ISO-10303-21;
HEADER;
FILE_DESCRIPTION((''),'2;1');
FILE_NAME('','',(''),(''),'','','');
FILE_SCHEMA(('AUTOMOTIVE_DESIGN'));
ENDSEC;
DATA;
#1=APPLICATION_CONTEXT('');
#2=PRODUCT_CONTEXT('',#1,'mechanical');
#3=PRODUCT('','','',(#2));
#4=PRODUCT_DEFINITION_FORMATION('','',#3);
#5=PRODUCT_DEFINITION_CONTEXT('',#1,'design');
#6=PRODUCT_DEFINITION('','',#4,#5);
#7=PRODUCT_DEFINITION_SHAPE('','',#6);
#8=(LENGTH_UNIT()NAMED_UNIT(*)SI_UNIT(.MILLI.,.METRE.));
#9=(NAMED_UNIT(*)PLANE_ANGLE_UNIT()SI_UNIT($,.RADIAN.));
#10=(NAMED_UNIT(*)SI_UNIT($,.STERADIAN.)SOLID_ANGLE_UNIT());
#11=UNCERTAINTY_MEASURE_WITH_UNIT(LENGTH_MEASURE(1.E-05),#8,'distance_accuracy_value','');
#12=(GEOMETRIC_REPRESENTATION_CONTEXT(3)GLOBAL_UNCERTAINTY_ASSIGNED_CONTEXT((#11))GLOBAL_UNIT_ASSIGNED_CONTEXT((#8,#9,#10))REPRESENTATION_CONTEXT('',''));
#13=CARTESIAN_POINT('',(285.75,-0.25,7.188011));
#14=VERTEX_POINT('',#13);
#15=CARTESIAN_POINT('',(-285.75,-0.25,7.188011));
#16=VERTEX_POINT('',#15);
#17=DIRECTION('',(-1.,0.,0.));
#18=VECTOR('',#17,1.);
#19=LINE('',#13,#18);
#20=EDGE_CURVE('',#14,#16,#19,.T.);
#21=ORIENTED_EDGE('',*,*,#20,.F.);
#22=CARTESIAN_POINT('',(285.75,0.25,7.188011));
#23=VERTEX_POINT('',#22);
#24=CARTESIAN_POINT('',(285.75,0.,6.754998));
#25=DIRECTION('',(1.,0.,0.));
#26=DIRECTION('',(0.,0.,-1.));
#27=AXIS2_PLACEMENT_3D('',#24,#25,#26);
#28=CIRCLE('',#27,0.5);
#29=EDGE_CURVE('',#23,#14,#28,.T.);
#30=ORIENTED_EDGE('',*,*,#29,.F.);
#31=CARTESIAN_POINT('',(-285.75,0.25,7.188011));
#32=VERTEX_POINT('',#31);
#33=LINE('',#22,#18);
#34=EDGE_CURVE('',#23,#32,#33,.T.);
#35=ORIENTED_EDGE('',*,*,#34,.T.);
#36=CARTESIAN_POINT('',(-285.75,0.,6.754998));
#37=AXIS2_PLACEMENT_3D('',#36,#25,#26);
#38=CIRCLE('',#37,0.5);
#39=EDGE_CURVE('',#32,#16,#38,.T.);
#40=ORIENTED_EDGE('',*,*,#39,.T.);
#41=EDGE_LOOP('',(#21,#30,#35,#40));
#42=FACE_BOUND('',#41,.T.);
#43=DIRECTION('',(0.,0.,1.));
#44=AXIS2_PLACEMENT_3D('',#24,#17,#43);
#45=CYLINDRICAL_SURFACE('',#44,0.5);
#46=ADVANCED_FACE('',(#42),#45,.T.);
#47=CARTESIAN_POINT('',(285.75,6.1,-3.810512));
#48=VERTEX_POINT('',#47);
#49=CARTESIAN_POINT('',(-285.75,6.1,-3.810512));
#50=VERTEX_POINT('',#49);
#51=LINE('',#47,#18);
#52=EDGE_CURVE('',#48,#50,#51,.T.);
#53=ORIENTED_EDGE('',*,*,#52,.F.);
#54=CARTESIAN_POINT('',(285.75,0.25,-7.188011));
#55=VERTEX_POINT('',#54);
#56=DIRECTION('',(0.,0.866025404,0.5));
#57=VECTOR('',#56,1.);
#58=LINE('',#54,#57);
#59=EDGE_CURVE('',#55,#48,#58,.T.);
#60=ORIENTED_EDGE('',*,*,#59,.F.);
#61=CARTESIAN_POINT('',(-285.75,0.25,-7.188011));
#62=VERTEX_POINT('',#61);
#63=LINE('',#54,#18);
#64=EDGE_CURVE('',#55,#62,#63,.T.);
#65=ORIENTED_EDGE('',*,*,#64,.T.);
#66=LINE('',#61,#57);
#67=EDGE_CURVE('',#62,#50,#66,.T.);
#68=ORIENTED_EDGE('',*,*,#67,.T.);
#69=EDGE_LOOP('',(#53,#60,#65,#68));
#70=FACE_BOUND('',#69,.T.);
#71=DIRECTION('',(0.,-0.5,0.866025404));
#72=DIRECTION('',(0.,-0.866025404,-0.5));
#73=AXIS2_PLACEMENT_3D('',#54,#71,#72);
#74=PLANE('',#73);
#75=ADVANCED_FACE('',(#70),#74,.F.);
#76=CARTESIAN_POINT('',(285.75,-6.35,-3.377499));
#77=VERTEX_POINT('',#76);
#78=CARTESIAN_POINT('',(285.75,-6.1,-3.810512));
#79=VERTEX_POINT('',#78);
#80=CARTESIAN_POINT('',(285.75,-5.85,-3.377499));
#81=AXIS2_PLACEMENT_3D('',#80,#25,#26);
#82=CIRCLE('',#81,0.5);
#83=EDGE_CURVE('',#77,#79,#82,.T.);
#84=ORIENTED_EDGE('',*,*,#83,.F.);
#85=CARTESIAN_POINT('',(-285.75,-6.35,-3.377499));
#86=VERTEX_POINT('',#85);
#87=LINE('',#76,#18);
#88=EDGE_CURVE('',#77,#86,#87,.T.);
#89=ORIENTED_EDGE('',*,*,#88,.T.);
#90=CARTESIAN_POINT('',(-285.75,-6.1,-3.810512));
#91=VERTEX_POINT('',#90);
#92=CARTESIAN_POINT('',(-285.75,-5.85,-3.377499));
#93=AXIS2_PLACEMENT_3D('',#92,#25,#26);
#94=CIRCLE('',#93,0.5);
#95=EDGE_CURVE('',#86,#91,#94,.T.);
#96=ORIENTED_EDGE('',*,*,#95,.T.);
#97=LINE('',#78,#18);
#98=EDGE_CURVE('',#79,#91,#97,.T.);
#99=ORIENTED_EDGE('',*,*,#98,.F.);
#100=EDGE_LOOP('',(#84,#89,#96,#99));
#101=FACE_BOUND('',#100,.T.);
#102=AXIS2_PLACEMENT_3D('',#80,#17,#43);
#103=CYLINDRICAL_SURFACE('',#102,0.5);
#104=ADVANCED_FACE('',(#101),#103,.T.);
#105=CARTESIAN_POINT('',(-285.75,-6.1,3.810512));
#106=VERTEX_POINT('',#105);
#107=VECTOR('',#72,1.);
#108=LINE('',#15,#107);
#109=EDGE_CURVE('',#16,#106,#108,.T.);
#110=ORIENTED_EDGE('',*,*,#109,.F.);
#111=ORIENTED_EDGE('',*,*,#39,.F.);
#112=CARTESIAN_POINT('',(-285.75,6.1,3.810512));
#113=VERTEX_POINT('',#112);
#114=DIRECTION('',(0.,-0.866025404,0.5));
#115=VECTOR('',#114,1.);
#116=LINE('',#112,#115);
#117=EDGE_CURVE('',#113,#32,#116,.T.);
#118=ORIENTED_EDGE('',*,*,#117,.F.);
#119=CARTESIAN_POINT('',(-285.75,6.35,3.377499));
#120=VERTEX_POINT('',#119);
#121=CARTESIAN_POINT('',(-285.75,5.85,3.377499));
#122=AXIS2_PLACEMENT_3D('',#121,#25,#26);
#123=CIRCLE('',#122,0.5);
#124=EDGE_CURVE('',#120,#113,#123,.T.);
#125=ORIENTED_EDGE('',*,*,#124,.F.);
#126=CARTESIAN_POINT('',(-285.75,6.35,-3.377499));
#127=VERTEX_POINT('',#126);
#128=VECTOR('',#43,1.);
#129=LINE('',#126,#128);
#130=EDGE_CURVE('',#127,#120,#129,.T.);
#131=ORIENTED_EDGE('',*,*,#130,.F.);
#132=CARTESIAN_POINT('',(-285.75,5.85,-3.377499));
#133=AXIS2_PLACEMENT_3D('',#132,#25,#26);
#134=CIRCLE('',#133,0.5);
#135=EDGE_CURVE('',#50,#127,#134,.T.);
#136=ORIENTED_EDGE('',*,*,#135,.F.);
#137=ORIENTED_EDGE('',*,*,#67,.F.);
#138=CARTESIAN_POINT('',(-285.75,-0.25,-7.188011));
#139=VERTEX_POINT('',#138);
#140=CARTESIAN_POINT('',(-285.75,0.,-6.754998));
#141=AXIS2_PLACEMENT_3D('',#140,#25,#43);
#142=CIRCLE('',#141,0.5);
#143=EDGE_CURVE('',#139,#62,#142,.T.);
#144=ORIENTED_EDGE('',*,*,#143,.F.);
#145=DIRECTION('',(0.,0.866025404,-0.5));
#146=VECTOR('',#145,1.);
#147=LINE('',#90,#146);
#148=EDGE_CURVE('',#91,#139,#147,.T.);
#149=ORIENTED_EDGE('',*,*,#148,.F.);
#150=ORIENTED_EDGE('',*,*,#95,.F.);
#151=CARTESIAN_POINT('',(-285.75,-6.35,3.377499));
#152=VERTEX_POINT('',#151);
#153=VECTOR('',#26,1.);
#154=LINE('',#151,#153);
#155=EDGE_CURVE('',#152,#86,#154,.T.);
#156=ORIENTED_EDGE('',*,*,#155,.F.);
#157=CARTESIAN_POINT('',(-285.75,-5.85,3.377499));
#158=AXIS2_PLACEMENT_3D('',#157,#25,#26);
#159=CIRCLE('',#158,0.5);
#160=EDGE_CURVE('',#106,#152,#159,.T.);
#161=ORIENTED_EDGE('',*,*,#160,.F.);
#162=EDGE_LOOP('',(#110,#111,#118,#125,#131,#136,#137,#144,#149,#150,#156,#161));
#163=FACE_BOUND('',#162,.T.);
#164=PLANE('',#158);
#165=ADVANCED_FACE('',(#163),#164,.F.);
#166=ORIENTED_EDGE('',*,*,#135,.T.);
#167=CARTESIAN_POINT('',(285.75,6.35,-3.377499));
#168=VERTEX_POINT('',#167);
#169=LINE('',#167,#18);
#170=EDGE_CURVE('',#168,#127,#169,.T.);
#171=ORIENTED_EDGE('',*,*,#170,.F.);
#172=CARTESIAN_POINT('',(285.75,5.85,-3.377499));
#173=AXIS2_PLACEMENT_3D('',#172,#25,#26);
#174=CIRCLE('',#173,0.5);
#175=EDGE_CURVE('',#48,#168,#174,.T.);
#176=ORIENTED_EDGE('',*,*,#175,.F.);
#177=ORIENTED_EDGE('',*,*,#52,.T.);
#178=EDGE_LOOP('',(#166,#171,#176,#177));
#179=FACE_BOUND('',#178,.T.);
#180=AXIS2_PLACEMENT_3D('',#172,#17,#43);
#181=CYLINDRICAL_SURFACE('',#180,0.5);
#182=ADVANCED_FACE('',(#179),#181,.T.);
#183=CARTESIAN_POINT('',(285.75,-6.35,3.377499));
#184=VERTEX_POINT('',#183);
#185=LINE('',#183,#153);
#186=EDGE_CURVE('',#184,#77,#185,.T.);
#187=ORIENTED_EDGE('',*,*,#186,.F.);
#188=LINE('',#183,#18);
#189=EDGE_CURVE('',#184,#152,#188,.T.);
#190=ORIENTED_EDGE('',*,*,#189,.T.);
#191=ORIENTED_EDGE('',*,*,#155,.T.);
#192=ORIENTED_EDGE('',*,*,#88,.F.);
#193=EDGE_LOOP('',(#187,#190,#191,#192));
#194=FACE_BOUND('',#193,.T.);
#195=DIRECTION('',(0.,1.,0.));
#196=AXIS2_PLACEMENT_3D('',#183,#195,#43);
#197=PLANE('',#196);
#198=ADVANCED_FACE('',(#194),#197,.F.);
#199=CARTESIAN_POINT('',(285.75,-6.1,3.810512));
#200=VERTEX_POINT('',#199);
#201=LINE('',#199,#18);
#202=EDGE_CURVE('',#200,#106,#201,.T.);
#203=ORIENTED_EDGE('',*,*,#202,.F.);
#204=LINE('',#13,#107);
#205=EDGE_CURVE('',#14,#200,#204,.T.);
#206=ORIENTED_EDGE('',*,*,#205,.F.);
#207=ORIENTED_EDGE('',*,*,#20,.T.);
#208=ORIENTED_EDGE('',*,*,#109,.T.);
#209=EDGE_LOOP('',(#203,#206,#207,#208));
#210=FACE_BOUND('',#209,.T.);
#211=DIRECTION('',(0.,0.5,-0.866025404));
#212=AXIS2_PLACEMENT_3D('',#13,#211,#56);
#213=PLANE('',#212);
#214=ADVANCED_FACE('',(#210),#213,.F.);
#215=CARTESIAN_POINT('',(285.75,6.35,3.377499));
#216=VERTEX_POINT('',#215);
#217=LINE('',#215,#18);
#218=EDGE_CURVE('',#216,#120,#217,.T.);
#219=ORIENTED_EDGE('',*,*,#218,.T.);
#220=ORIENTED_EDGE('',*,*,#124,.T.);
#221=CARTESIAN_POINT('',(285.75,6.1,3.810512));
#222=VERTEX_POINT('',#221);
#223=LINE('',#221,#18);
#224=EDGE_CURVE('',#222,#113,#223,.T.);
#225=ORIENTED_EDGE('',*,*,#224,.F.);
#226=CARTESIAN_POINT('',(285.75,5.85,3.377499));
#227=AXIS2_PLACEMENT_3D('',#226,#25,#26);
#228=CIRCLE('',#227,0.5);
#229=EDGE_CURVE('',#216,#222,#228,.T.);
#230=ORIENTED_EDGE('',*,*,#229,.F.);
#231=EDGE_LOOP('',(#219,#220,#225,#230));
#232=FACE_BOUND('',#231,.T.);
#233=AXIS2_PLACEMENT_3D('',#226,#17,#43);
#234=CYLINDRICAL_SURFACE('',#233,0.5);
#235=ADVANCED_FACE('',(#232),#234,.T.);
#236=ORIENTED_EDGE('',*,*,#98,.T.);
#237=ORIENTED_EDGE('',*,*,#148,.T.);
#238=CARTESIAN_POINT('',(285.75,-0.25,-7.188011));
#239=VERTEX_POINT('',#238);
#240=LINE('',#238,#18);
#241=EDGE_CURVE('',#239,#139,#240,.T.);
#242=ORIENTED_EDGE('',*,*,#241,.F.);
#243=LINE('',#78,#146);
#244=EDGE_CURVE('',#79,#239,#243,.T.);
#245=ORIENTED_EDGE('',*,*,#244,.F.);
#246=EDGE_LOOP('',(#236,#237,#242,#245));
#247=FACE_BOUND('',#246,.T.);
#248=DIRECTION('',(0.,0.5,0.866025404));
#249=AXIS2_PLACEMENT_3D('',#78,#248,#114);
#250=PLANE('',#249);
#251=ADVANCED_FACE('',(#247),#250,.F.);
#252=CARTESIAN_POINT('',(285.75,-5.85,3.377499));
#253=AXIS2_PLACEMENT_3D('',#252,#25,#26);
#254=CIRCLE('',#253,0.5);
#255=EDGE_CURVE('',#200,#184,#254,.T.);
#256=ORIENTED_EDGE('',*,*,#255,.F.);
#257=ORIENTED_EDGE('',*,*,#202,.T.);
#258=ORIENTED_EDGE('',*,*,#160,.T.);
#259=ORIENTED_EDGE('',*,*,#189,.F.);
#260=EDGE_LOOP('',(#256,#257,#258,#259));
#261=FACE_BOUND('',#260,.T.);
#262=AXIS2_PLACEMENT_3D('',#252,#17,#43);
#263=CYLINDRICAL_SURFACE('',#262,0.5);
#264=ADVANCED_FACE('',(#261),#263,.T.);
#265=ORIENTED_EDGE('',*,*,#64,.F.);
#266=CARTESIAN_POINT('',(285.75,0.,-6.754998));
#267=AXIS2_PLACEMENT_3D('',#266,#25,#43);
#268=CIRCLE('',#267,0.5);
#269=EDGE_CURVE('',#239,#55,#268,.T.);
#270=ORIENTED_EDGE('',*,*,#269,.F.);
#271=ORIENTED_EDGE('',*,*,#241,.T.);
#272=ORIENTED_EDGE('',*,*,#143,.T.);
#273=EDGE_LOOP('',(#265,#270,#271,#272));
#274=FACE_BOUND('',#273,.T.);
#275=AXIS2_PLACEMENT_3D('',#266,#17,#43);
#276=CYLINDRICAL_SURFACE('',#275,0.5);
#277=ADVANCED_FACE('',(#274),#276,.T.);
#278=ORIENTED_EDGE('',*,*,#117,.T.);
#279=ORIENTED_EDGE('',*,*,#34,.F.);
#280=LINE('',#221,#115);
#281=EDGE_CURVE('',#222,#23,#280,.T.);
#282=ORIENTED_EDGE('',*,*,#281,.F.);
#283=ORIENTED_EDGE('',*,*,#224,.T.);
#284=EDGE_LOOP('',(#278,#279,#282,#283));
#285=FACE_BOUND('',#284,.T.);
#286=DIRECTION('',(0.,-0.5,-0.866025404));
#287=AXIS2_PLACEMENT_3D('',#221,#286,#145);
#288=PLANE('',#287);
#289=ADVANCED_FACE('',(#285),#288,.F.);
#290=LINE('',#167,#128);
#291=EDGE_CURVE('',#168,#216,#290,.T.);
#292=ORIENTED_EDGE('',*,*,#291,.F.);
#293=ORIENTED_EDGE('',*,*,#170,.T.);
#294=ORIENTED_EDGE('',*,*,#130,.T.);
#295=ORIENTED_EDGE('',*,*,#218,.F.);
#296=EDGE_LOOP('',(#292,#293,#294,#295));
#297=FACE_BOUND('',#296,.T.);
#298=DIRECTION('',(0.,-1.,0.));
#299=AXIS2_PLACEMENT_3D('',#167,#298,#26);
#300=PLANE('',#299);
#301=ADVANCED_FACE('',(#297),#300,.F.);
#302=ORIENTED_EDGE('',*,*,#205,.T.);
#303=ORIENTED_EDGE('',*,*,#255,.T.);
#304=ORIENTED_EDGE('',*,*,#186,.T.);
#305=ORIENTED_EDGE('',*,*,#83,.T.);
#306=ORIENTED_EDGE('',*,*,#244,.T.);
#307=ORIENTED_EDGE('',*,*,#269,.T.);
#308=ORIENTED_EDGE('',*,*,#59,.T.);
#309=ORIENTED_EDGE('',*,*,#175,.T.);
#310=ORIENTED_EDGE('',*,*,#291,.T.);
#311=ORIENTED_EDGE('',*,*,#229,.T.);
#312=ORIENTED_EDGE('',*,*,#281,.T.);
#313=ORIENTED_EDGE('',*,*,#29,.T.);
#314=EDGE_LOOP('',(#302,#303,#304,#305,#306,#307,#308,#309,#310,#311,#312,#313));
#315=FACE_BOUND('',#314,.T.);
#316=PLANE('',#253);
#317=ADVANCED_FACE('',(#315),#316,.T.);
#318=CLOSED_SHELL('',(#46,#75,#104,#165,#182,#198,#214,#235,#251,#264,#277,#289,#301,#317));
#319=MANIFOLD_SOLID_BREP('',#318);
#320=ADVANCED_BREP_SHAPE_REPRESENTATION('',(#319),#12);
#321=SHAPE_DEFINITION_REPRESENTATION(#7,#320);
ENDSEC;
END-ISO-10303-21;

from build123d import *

# Parameters (mm, degrees)
BOSS_EXTRUDE1_DEPTH = 285.75


with BuildPart() as part:
    # Sketch1 → Boss-Extrude1 (new, symmetric)
    with BuildSketch(Plane(origin=(0, 0, 0), x_dir=(0, 0, -1), z_dir=(1, 0, 0))):
        with BuildLine():
            Line((7.188010851, 0.25), (3.810511777, 6.1))
            ThreePointArc((3.810511777, 6.1), (3.627499075, 6.283012702), (3.377499075, 6.35))
            Line((3.377499075, 6.35), (-3.377499075, 6.35))
            ThreePointArc((-3.377499075, 6.35), (-3.627499075, 6.283012702), (-3.810511777, 6.1))
            Line((-3.810511777, 6.1), (-7.188010851, 0.25))
            ThreePointArc((-7.188010851, 0.25), (-7.25499815, 0), (-7.188010851, -0.25))
            Line((-7.188010851, -0.25), (-3.810511777, -6.1))
            ThreePointArc((-3.810511777, -6.1), (-3.627499075, -6.283012702), (-3.377499075, -6.35))
            Line((-3.377499075, -6.35), (3.377499075, -6.35))
            ThreePointArc((3.377499075, -6.35), (3.627499075, -6.283012702), (3.810511777, -6.1))
            Line((3.810511777, -6.1), (7.188010851, -0.25))
            ThreePointArc((7.188010851, -0.25), (7.25499815, 0), (7.188010851, 0.25))
        make_face()
    extrude(amount=BOSS_EXTRUDE1_DEPTH, both=True)


solid = part.part
